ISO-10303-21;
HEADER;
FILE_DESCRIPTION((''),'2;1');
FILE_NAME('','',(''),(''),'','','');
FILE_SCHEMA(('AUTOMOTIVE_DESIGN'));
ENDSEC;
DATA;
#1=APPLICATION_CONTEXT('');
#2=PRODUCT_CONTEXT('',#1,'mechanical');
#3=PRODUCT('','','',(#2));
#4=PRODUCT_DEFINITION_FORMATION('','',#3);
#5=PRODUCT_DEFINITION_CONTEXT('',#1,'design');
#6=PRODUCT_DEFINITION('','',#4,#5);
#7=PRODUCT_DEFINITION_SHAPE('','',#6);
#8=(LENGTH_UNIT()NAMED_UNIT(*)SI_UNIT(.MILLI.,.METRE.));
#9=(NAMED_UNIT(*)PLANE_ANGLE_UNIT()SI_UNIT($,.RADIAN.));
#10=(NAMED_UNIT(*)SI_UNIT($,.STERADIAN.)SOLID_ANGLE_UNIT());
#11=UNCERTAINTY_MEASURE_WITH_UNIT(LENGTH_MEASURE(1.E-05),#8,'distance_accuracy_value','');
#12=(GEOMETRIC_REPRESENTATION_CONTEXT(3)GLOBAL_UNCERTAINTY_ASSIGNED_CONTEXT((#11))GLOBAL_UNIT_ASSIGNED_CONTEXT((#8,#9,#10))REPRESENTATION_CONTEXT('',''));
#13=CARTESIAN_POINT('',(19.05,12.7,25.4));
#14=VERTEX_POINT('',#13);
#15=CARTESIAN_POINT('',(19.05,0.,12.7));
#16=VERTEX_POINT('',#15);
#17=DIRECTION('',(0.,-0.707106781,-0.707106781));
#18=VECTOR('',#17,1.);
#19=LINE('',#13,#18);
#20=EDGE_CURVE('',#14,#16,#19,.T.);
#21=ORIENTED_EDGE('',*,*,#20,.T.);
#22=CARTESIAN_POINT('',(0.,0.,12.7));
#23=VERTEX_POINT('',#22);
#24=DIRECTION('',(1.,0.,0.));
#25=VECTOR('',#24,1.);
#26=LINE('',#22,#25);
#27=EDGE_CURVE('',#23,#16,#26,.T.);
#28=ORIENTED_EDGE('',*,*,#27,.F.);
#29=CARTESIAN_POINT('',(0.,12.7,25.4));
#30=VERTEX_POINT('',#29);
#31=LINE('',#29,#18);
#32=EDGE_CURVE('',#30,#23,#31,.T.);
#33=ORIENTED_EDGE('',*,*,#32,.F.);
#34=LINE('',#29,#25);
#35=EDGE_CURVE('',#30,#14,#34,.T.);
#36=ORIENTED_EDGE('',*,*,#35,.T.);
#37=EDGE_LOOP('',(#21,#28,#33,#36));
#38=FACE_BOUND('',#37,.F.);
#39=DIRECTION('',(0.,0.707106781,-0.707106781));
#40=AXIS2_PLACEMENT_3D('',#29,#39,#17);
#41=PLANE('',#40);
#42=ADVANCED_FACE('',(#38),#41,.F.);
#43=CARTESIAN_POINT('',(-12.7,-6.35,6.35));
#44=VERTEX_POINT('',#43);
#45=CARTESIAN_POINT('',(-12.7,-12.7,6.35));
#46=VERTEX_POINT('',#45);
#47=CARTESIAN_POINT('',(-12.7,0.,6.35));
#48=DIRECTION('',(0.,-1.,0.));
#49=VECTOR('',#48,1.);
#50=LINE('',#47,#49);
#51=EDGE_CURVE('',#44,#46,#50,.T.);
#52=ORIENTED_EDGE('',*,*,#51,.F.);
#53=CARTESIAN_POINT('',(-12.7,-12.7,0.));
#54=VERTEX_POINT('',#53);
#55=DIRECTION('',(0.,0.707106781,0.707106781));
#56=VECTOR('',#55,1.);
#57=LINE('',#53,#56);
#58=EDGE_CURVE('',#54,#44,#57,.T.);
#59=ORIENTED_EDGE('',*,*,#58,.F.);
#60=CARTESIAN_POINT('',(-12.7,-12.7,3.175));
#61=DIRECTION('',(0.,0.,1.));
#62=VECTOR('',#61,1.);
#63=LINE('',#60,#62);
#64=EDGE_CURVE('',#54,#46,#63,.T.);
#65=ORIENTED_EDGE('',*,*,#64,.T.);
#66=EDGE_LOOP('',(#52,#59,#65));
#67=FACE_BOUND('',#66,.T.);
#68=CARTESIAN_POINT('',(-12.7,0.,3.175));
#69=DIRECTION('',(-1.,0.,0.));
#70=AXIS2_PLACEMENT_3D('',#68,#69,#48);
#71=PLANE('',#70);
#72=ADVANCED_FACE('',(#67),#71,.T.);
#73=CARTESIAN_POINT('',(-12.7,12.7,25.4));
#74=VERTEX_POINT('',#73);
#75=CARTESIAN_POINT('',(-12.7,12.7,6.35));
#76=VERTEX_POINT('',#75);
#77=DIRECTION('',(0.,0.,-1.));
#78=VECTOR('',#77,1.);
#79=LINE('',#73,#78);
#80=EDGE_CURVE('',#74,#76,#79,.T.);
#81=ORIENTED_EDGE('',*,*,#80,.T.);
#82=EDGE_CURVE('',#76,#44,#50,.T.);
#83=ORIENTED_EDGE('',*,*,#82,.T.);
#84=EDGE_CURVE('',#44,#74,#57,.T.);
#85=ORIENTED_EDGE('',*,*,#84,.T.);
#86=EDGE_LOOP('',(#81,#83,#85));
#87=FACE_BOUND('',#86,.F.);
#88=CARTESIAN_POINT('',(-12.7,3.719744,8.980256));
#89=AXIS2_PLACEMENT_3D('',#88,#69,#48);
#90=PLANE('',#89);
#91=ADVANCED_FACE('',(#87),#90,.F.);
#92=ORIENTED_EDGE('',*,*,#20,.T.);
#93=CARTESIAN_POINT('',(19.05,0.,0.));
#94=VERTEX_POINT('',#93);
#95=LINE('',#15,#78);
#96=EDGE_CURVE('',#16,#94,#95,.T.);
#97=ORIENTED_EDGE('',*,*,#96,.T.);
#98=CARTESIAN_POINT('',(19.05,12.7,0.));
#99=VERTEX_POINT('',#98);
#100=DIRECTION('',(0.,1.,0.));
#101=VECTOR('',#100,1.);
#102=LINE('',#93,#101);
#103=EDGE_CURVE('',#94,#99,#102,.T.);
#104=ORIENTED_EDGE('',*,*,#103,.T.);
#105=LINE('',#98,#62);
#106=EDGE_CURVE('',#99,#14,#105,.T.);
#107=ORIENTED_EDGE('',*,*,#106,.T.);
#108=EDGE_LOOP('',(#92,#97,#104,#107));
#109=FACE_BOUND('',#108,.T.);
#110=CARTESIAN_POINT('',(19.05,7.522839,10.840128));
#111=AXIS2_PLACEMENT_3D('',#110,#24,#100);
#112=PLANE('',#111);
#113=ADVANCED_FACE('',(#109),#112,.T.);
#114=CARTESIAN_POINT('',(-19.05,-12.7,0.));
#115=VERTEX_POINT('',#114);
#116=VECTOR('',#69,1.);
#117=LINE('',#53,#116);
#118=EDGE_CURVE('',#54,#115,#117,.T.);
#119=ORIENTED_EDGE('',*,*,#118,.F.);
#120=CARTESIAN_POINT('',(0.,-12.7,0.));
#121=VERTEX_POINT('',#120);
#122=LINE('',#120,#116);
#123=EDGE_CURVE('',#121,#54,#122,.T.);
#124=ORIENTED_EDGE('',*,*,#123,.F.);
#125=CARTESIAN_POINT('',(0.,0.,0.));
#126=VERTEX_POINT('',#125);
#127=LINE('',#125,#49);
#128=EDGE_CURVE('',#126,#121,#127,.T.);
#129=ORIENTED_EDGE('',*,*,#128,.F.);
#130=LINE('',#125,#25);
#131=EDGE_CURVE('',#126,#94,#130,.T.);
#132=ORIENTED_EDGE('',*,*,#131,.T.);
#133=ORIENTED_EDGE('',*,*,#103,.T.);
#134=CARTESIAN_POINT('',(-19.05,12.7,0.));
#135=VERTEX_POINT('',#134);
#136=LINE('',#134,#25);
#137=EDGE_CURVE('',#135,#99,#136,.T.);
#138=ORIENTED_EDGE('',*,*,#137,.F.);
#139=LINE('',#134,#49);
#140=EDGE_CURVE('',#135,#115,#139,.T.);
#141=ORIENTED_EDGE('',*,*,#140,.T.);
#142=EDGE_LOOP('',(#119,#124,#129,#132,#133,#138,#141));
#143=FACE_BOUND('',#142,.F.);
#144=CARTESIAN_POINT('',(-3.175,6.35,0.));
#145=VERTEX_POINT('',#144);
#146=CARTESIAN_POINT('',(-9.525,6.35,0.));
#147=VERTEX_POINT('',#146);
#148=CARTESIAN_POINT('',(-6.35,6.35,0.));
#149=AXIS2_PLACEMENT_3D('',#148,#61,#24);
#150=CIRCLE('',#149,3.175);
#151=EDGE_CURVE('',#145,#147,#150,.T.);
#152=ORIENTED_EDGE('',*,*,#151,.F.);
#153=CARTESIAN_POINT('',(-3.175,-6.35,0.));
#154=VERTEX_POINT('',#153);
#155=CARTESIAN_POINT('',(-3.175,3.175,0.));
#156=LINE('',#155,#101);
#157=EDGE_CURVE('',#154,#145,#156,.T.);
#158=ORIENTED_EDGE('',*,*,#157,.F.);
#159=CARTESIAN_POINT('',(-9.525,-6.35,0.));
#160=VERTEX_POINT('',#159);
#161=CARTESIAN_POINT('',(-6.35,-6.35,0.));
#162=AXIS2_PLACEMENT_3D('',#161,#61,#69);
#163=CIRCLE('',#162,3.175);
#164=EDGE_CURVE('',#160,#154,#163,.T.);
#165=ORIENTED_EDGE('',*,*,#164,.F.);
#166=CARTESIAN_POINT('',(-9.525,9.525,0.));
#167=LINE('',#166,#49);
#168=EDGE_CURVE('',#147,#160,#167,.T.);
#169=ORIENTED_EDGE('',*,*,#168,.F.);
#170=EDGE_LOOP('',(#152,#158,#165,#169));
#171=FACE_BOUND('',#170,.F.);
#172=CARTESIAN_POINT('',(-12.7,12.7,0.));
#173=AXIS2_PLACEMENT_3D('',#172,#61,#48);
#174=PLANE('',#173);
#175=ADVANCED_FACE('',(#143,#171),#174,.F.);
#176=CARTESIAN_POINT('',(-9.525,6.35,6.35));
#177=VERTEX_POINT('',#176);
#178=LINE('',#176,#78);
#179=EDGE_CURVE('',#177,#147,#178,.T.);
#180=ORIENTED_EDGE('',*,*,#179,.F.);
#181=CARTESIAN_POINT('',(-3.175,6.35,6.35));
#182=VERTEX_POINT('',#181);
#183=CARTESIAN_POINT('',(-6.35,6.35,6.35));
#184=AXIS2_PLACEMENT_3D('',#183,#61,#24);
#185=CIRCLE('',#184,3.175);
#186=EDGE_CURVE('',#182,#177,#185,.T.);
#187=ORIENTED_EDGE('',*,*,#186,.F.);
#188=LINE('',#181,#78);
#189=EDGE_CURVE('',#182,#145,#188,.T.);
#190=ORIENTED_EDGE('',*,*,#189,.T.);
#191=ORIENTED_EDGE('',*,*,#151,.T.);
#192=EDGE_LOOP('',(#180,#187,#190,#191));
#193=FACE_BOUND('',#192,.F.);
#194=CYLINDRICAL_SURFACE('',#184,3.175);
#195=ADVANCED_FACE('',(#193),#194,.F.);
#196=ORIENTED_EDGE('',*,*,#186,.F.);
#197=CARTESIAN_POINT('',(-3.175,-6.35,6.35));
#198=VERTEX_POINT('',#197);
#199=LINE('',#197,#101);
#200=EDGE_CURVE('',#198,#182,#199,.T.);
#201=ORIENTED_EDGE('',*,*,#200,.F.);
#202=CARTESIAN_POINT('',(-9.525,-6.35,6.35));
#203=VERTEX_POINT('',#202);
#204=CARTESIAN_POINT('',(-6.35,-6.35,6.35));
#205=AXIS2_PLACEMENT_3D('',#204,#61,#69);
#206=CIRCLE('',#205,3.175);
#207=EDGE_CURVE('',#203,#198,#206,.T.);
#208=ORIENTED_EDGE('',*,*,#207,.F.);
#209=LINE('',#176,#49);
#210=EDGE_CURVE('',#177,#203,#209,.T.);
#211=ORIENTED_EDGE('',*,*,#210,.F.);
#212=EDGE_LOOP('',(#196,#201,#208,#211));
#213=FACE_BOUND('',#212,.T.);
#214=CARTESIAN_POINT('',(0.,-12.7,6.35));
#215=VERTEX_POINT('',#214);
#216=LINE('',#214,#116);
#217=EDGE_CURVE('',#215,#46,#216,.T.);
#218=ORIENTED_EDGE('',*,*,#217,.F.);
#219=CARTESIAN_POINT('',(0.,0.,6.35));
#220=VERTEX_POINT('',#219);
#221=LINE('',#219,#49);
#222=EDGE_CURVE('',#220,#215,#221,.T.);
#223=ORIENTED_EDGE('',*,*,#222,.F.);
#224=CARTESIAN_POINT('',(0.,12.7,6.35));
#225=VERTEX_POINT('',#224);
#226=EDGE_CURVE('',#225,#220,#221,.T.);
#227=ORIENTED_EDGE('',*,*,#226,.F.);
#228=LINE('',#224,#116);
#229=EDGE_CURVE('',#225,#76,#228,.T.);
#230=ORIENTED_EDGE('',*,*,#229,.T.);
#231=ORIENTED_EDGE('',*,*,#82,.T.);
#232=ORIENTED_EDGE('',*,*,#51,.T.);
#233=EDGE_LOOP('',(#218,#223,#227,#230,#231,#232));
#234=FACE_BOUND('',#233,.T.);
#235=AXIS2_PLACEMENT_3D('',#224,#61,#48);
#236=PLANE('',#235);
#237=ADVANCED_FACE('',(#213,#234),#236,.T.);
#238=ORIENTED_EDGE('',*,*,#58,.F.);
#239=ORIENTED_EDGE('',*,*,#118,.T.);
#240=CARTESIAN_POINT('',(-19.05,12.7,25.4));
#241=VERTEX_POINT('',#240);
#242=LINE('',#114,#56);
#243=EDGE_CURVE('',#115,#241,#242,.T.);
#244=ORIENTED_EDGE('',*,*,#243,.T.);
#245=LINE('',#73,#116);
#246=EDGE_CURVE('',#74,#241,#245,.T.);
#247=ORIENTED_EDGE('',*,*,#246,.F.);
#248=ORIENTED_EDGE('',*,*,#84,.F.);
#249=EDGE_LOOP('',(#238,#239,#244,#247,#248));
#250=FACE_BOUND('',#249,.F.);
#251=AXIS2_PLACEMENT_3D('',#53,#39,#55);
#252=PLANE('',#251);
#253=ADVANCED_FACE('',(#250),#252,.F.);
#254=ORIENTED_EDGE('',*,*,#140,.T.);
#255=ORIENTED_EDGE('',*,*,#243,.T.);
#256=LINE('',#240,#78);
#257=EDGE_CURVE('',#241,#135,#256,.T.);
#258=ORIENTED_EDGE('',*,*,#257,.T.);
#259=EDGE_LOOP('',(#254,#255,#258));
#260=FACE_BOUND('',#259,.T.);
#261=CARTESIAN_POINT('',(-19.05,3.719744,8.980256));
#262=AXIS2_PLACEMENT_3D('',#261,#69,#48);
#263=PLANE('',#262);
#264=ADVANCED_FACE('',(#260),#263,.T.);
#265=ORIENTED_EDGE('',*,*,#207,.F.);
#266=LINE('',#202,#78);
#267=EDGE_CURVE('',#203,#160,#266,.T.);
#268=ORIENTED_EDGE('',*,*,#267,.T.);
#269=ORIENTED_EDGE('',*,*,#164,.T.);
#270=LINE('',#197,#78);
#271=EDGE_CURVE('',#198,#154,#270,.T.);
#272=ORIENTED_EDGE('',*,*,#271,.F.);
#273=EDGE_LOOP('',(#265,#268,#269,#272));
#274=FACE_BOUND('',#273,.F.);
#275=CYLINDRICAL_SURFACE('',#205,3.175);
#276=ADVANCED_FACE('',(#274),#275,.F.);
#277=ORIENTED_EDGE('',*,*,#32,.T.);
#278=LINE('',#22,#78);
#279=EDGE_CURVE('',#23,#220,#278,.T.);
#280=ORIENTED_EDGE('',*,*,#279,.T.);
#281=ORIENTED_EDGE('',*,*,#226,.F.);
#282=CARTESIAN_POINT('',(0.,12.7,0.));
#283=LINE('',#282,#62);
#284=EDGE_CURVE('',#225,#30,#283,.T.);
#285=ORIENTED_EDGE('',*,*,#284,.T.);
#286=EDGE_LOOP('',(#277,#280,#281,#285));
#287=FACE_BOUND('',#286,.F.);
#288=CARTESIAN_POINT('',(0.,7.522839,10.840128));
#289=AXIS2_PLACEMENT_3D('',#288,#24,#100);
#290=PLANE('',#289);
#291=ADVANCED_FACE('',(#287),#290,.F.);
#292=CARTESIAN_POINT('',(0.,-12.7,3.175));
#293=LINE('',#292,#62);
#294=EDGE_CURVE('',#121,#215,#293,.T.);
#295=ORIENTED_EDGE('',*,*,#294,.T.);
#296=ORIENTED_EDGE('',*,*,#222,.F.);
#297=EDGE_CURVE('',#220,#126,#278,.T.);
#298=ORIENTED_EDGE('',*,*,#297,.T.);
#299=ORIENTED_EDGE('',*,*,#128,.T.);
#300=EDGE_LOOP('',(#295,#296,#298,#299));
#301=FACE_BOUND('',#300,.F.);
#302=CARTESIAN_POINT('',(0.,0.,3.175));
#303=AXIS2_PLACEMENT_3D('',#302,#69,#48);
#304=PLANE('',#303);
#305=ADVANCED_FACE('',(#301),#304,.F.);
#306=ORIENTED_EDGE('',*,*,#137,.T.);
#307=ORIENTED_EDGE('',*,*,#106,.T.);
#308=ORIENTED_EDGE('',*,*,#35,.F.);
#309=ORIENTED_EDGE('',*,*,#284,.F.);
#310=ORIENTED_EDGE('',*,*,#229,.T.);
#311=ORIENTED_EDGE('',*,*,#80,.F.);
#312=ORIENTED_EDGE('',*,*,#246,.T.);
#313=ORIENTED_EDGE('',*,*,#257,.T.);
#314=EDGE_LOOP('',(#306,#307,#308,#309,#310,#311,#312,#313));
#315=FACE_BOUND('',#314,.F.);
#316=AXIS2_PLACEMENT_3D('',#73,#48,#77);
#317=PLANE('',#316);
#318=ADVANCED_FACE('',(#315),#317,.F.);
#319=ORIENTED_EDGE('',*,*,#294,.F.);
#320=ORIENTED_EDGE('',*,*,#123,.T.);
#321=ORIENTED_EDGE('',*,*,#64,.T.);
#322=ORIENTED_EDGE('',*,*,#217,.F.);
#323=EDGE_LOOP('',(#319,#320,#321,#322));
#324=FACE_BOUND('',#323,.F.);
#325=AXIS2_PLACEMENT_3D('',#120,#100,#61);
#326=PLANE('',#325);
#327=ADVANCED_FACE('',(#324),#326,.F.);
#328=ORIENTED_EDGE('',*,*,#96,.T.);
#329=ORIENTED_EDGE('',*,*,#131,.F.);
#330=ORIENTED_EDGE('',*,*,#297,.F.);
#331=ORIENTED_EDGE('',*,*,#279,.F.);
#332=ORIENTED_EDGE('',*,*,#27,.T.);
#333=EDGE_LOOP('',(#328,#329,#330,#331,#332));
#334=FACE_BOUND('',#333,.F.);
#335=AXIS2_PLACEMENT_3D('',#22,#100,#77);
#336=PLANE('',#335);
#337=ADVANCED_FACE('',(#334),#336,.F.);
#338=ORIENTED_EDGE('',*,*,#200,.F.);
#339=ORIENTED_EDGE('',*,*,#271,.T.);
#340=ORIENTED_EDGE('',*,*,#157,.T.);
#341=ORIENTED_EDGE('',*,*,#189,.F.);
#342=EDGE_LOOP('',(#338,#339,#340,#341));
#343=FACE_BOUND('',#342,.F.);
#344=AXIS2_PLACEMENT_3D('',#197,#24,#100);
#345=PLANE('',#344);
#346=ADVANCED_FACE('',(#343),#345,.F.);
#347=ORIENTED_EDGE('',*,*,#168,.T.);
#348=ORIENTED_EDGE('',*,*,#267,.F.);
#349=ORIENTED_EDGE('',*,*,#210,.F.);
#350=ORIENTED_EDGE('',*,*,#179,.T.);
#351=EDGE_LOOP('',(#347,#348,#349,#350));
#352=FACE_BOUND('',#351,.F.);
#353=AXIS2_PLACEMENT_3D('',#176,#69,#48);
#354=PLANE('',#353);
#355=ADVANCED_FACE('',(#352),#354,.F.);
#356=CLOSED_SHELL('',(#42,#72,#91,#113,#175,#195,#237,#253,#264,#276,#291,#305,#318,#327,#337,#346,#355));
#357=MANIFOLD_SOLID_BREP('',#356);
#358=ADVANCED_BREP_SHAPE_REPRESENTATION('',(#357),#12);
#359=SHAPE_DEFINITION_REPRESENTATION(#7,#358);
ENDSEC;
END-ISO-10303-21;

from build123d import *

# Parameters (mm, degrees)
F1_DEPTH = 19.05
F2_W     = 25.4
F2_H     = 6.35
F3_DEPTH = 12.7
F5_DEPTH = 6.35
F7_DEPTH = 6.351


with BuildPart() as f1:
    # F0 (on Right) → F1 (new body)
    with BuildSketch(Plane.YZ):
        Polygon((0, 12.7), (0, 0), (12.7, 0), (12.7, 25.4), align=None)
    extrude(amount=F1_DEPTH)

    # F2 (on face) → F3 (join)
    with BuildSketch(Plane(origin=(0, 0, 0), x_dir=(0, -1, 0), z_dir=(-1, 0, 0))):
        with Locations((0, 3.175)):
            Rectangle(F2_W, F2_H)
    extrude(amount=F3_DEPTH)

    # F4 (on face) → F5 (join)
    with BuildSketch(Plane(origin=(-12.7, 0, 0), x_dir=(0, -1, 0), z_dir=(-1, 0, 0))):
        Polygon((12.7, 0), (-12.7, 25.4), (-12.7, 0), align=None)
    extrude(amount=F5_DEPTH)

    # F6 (on face) → F7 (cut, through all)
    with BuildSketch(Plane.XY.offset(6.35)):
        with BuildLine():
            Line((-3.175, -6.35), (-3.175, 6.35))
            ThreePointArc((-3.175, 6.35), (-6.35, 9.525), (-9.525, 6.35))
            Line((-9.525, 6.35), (-9.525, -6.35))
            ThreePointArc((-9.525, -6.35), (-6.35, -9.525), (-3.175, -6.35))
        make_face()
    extrude(amount=-F7_DEPTH, mode=Mode.SUBTRACT)


solid = f1.part
